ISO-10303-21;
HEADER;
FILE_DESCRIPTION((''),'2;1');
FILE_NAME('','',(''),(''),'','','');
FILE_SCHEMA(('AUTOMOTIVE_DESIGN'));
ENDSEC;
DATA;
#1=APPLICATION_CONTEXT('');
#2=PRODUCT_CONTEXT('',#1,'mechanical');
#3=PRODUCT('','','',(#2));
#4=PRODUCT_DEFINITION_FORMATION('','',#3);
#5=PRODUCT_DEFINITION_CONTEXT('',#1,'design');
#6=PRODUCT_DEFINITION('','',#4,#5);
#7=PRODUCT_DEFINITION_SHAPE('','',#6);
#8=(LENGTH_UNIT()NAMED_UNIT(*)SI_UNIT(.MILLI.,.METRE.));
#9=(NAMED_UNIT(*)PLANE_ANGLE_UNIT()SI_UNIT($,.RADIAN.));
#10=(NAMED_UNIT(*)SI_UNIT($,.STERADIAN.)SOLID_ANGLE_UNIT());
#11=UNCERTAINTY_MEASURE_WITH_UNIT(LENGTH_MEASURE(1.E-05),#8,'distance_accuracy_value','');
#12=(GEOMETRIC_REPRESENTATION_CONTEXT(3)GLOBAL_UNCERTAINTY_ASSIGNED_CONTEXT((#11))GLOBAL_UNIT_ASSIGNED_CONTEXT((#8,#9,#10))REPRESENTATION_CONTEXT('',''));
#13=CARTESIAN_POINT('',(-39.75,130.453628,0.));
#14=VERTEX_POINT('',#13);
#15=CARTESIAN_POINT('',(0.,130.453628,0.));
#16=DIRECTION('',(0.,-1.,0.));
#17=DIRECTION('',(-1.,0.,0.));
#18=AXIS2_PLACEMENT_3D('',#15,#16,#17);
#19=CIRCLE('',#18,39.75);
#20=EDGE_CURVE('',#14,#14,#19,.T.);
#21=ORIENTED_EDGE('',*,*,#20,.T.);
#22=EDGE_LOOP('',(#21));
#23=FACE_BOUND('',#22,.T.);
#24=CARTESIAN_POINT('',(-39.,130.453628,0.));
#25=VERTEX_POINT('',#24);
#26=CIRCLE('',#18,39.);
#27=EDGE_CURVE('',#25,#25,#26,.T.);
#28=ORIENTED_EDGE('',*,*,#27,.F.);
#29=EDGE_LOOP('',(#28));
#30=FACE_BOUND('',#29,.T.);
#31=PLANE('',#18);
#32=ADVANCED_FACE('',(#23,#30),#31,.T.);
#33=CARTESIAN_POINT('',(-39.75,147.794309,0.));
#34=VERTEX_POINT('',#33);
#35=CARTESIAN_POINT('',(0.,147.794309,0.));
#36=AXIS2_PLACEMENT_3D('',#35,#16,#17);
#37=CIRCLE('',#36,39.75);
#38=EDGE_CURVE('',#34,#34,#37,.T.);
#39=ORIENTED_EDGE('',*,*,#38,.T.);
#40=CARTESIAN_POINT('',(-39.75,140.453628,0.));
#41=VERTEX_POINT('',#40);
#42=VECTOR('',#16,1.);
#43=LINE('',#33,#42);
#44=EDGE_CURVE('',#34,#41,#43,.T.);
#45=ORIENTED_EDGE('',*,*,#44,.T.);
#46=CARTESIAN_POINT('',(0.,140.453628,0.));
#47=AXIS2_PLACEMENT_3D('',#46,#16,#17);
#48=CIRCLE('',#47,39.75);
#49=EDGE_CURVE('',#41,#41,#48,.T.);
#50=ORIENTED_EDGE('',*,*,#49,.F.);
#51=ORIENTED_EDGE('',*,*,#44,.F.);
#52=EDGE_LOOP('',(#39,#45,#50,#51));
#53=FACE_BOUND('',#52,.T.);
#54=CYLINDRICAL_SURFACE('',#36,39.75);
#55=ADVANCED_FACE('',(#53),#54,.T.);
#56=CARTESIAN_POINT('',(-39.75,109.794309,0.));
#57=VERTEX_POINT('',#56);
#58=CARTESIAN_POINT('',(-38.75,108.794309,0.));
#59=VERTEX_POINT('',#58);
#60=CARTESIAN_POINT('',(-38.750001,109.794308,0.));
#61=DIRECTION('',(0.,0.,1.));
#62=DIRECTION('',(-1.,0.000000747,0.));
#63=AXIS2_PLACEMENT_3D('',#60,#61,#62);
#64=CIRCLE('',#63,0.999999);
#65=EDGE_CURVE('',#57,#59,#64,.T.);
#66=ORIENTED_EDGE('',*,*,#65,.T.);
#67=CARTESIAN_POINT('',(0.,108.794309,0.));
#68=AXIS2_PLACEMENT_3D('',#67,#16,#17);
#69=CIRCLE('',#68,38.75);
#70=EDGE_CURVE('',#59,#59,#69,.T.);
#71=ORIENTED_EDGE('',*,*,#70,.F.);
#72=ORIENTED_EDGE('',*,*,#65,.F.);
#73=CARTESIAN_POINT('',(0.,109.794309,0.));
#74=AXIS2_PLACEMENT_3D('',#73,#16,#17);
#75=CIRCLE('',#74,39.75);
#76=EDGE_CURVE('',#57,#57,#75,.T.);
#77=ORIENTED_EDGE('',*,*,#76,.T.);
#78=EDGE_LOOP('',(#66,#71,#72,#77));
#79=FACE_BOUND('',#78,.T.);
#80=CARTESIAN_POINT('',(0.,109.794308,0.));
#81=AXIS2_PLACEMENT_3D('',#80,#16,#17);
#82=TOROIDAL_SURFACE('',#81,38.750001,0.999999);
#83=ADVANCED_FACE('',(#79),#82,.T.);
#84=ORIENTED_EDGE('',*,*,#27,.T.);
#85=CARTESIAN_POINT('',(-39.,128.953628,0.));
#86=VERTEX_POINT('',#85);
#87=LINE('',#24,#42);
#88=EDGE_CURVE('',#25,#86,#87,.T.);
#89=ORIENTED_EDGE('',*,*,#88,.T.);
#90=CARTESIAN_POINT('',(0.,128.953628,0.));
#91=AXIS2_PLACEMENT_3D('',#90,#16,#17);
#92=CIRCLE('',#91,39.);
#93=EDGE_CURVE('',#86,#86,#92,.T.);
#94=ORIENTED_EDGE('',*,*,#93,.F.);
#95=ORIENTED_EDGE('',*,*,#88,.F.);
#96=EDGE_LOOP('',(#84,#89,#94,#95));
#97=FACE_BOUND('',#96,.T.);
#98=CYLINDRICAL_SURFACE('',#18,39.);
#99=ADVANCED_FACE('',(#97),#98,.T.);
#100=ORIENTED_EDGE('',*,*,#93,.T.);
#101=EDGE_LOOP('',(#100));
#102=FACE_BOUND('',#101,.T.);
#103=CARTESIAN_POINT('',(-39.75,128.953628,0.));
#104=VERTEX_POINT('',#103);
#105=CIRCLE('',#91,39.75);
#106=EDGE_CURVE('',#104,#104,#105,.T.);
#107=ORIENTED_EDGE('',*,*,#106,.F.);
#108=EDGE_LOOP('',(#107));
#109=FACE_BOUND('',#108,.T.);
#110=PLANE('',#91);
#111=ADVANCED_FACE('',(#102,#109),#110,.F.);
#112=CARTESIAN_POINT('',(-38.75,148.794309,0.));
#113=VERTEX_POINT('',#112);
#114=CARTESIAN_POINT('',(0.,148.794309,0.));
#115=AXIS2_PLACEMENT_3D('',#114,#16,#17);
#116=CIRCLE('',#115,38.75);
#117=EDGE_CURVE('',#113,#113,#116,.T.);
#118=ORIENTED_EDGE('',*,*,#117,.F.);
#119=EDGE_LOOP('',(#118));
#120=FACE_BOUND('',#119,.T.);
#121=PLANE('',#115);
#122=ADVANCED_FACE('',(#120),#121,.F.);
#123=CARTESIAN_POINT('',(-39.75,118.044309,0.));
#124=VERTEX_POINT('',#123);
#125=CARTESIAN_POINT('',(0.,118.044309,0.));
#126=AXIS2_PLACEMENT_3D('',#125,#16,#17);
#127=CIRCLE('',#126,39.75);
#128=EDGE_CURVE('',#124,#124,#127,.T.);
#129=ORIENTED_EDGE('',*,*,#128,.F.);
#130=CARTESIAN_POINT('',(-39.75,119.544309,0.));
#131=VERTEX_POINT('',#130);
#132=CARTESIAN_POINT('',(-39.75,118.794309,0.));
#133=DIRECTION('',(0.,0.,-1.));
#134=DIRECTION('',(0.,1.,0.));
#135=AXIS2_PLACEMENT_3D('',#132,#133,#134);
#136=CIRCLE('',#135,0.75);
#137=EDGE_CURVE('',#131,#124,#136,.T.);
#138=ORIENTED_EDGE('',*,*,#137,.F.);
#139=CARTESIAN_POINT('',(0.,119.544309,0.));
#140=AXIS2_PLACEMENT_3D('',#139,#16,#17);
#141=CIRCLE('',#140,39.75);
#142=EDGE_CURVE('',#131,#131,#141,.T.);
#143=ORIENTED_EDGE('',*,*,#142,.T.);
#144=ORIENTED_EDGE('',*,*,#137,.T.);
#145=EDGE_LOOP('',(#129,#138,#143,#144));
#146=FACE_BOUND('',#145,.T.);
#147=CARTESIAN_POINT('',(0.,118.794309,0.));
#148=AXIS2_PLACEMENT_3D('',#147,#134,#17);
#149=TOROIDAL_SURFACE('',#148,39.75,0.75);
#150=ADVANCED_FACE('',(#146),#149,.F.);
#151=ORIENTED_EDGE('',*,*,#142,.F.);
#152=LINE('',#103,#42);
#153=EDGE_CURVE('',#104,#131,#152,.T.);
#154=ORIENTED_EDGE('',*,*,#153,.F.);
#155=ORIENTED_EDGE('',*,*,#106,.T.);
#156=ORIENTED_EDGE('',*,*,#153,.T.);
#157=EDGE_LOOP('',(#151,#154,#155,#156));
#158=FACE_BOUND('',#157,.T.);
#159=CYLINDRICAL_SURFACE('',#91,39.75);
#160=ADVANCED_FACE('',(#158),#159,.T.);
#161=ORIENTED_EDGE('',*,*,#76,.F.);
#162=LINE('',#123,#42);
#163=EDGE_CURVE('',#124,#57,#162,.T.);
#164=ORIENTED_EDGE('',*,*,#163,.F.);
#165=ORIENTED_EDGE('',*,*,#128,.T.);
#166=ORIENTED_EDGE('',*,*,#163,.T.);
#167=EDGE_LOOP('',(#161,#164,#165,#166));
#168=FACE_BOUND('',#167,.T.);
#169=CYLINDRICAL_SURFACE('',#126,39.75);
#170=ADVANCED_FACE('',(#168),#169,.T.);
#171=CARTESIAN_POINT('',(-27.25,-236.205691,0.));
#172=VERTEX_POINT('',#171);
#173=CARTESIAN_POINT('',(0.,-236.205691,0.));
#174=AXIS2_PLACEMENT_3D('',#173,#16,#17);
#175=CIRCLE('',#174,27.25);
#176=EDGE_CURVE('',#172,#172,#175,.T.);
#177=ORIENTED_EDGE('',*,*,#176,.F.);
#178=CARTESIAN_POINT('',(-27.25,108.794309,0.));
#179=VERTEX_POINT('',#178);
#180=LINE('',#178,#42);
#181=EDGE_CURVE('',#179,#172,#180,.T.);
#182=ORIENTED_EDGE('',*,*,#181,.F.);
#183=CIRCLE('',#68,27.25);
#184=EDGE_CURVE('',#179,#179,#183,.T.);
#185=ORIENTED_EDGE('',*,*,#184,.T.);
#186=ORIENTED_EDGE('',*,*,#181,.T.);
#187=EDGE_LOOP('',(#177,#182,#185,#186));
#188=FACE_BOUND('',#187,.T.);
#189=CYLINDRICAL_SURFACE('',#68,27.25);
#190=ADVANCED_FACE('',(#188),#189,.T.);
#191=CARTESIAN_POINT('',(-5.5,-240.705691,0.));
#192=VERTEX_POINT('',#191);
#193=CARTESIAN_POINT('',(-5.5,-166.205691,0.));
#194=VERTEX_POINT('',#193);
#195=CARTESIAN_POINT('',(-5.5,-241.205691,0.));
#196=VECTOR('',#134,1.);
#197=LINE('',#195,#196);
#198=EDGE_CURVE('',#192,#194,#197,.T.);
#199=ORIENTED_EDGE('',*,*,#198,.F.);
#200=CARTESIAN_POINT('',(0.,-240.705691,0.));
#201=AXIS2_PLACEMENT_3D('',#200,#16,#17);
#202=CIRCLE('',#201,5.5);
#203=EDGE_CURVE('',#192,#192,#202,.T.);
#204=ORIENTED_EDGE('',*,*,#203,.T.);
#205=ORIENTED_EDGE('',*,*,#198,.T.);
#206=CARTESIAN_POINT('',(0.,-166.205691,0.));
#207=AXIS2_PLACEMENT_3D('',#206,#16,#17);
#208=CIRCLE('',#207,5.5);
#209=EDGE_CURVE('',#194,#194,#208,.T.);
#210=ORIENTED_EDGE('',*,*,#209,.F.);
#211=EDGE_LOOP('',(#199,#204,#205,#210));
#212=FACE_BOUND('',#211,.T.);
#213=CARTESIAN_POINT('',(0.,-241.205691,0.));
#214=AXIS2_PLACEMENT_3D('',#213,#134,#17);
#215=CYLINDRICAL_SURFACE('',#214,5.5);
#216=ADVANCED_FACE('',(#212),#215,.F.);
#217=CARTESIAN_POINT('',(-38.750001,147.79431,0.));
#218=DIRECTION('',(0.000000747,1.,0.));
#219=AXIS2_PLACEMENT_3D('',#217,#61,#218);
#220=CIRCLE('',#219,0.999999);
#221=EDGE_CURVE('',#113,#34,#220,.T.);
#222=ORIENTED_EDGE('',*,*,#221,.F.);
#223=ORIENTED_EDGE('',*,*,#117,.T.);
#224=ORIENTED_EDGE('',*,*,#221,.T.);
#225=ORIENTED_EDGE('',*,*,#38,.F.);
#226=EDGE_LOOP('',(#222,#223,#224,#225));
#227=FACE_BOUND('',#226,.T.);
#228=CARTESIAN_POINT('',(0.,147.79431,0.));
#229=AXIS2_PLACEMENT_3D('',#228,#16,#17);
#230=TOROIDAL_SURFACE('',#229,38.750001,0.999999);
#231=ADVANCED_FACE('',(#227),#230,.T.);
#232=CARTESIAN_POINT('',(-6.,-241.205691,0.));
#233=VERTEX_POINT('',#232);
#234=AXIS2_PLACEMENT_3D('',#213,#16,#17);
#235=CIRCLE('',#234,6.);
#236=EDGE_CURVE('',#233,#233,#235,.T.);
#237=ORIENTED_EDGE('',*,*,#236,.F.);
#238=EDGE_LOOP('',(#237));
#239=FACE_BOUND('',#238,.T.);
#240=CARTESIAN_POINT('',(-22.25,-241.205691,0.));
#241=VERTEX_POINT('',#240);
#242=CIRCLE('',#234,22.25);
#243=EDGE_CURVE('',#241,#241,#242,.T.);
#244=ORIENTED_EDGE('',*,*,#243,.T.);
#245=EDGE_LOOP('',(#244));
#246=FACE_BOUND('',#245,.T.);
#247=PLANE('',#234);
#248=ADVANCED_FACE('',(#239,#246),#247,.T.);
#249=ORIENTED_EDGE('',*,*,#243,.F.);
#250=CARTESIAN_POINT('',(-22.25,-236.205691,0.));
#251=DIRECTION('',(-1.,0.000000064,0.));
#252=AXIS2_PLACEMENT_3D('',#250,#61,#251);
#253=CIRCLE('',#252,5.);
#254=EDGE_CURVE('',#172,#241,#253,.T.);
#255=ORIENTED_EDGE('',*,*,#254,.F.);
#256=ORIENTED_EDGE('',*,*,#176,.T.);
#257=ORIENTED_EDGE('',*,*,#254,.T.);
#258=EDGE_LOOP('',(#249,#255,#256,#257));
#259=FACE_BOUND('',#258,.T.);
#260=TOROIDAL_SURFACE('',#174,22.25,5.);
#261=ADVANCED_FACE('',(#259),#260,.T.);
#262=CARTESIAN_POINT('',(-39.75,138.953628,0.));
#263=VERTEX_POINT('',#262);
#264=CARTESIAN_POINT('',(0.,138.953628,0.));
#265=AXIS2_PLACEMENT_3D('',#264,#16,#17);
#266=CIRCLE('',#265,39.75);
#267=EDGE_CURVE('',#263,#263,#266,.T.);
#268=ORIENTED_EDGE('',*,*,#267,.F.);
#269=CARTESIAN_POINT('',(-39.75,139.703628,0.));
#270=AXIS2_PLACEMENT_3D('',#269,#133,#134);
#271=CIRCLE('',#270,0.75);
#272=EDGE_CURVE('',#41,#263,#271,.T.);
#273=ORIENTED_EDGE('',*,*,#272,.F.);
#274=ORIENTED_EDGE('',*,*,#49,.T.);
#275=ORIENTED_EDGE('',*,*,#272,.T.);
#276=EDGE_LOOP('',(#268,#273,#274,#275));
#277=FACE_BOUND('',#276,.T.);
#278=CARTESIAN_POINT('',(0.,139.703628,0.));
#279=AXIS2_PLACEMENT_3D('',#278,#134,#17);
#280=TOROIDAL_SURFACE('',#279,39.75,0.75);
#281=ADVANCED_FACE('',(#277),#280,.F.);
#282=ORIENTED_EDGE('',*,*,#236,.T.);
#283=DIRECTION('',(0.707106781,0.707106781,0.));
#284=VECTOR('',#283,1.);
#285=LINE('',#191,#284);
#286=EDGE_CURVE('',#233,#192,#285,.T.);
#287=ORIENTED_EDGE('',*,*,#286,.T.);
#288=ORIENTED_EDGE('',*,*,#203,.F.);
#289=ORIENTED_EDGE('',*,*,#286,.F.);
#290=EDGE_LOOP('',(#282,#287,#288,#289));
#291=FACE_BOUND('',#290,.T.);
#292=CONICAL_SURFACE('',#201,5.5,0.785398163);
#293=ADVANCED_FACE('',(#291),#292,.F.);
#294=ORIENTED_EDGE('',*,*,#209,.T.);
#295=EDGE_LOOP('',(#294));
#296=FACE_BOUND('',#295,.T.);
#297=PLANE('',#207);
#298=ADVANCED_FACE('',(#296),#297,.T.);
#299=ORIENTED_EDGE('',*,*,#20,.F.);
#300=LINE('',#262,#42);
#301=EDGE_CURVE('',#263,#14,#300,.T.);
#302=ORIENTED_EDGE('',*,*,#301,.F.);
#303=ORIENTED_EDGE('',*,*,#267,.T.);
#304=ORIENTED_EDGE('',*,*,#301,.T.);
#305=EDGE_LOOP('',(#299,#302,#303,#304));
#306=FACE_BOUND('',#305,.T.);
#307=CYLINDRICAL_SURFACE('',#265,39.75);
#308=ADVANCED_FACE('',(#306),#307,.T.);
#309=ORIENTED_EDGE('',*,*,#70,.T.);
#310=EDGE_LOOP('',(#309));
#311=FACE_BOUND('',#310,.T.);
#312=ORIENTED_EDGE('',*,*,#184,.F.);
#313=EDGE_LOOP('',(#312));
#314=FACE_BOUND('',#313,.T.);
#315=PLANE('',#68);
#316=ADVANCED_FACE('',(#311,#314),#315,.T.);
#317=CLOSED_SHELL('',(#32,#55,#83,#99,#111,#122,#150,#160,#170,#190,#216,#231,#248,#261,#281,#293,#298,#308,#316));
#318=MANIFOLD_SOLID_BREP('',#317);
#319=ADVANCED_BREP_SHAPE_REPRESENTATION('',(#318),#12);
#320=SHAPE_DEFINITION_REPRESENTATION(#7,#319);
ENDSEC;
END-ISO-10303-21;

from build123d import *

# Parameters (mm, degrees)
F2_SIZE = 0.5


with BuildPart() as f1:
    # F0 (on Top) → F1 (revolve)
    with BuildSketch(Plane.XY):
        with BuildLine():
            Line((0, -166.205691), (0, 148.794309))
            Line((0, 148.794309), (-38.75, 148.794309))
            ThreePointArc((-38.75, 148.794309), (-39.457107, 148.501416), (-39.75, 147.794309))
            Line((-39.75, 147.794309), (-39.75, 140.453628))
            ThreePointArc((-39.75, 140.453628), (-39, 139.703628), (-39.75, 138.953628))
            Line((-39.75, 138.953628), (-39.75, 130.453628))
            Line((-39.75, 130.453628), (-39, 130.453628))
            Line((-39, 130.453628), (-39, 128.953628))
            Line((-39, 128.953628), (-39.75, 128.953628))
            Line((-39.75, 128.953628), (-39.75, 119.544309))
            ThreePointArc((-39.75, 119.544309), (-39, 118.794309), (-39.75, 118.044309))
            Line((-39.75, 118.044309), (-39.75, 109.794309))
            ThreePointArc((-39.75, 109.794309), (-39.457107, 109.087202), (-38.75, 108.794309))
            Line((-38.75, 108.794309), (-30.25, 108.794309))
            Line((-30.25, 108.794309), (-27.25, 108.794309))
            Line((-27.25, 108.794309), (-27.25, 105.794309))
            Line((-27.25, 105.794309), (-27.25, -236.205691))
            ThreePointArc((-27.25, -236.205691), (-25.785534, -239.741225), (-22.25, -241.205691))
            Line((-22.25, -241.205691), (-5.5, -241.205691))
            Line((-5.5, -241.205691), (-5.5, -166.205691))
            Line((-5.5, -166.205691), (0, -166.205691))
        make_face()
    revolve(axis=Axis((0, -8.705691, 0), (0, -1, 0)))

    # F2
    f2_edges = [f1.edges().sort_by_distance(p)[0] for p in [
        (22.25, -241.205691, 0),
        (5.5, -241.205691, 0),
    ]]
    chamfer(f2_edges, length=F2_SIZE)


solid = f1.part
